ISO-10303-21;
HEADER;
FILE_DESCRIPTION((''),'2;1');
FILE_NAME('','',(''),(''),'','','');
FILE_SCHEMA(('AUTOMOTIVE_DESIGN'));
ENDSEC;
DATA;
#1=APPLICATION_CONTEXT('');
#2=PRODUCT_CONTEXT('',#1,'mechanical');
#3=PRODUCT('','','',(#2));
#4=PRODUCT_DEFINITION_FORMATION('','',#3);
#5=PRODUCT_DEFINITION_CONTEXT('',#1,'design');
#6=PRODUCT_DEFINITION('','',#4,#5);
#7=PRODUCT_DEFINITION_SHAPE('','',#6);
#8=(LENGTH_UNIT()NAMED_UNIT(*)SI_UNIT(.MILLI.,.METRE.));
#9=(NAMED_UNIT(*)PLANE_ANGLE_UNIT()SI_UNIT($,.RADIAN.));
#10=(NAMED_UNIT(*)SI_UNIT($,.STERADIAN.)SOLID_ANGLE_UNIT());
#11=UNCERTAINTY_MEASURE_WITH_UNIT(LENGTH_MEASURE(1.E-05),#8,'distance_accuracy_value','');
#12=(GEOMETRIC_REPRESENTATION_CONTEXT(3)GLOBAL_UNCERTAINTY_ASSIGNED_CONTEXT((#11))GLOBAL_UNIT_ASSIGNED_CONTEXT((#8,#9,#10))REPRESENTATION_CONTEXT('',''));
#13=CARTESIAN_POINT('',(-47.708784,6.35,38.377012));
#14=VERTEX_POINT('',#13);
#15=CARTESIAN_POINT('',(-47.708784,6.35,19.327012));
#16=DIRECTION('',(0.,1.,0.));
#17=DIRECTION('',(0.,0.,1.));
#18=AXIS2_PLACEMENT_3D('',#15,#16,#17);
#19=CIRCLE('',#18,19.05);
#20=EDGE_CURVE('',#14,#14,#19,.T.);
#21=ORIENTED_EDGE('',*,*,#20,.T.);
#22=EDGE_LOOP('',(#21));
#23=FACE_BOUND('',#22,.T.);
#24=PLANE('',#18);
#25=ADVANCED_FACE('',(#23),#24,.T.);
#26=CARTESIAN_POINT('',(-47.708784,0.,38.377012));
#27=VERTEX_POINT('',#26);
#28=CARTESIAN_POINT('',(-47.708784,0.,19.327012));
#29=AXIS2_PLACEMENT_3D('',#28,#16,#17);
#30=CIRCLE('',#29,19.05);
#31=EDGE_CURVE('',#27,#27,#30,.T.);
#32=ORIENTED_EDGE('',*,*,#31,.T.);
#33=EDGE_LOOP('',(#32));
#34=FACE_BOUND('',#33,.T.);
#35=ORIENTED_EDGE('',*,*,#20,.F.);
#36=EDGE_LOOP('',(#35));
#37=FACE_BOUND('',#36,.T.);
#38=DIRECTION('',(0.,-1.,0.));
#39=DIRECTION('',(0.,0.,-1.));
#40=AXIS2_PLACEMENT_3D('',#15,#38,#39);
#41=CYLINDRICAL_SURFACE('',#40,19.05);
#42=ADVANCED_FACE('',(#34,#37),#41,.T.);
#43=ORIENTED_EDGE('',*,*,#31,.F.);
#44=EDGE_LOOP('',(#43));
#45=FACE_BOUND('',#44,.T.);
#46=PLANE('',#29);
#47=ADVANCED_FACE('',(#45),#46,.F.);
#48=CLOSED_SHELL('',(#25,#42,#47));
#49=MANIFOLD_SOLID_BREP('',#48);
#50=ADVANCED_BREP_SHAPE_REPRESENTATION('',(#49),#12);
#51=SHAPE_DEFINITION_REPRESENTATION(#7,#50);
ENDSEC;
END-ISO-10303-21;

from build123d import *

# Parameters (mm, degrees)
SKETCH1_R           = 19.05
BOSS_EXTRUDE1_DEPTH = 6.35


with BuildPart() as part:
    # Sketch1 → Boss-Extrude1 (new body)
    with BuildSketch(Plane(origin=(0, 0, 0), x_dir=(1, 0, 0), z_dir=(0, 1, 0))):
        with Locations((-47.708783594, -19.327011731)):
            Circle(SKETCH1_R)
    extrude(amount=BOSS_EXTRUDE1_DEPTH)


solid = part.part
